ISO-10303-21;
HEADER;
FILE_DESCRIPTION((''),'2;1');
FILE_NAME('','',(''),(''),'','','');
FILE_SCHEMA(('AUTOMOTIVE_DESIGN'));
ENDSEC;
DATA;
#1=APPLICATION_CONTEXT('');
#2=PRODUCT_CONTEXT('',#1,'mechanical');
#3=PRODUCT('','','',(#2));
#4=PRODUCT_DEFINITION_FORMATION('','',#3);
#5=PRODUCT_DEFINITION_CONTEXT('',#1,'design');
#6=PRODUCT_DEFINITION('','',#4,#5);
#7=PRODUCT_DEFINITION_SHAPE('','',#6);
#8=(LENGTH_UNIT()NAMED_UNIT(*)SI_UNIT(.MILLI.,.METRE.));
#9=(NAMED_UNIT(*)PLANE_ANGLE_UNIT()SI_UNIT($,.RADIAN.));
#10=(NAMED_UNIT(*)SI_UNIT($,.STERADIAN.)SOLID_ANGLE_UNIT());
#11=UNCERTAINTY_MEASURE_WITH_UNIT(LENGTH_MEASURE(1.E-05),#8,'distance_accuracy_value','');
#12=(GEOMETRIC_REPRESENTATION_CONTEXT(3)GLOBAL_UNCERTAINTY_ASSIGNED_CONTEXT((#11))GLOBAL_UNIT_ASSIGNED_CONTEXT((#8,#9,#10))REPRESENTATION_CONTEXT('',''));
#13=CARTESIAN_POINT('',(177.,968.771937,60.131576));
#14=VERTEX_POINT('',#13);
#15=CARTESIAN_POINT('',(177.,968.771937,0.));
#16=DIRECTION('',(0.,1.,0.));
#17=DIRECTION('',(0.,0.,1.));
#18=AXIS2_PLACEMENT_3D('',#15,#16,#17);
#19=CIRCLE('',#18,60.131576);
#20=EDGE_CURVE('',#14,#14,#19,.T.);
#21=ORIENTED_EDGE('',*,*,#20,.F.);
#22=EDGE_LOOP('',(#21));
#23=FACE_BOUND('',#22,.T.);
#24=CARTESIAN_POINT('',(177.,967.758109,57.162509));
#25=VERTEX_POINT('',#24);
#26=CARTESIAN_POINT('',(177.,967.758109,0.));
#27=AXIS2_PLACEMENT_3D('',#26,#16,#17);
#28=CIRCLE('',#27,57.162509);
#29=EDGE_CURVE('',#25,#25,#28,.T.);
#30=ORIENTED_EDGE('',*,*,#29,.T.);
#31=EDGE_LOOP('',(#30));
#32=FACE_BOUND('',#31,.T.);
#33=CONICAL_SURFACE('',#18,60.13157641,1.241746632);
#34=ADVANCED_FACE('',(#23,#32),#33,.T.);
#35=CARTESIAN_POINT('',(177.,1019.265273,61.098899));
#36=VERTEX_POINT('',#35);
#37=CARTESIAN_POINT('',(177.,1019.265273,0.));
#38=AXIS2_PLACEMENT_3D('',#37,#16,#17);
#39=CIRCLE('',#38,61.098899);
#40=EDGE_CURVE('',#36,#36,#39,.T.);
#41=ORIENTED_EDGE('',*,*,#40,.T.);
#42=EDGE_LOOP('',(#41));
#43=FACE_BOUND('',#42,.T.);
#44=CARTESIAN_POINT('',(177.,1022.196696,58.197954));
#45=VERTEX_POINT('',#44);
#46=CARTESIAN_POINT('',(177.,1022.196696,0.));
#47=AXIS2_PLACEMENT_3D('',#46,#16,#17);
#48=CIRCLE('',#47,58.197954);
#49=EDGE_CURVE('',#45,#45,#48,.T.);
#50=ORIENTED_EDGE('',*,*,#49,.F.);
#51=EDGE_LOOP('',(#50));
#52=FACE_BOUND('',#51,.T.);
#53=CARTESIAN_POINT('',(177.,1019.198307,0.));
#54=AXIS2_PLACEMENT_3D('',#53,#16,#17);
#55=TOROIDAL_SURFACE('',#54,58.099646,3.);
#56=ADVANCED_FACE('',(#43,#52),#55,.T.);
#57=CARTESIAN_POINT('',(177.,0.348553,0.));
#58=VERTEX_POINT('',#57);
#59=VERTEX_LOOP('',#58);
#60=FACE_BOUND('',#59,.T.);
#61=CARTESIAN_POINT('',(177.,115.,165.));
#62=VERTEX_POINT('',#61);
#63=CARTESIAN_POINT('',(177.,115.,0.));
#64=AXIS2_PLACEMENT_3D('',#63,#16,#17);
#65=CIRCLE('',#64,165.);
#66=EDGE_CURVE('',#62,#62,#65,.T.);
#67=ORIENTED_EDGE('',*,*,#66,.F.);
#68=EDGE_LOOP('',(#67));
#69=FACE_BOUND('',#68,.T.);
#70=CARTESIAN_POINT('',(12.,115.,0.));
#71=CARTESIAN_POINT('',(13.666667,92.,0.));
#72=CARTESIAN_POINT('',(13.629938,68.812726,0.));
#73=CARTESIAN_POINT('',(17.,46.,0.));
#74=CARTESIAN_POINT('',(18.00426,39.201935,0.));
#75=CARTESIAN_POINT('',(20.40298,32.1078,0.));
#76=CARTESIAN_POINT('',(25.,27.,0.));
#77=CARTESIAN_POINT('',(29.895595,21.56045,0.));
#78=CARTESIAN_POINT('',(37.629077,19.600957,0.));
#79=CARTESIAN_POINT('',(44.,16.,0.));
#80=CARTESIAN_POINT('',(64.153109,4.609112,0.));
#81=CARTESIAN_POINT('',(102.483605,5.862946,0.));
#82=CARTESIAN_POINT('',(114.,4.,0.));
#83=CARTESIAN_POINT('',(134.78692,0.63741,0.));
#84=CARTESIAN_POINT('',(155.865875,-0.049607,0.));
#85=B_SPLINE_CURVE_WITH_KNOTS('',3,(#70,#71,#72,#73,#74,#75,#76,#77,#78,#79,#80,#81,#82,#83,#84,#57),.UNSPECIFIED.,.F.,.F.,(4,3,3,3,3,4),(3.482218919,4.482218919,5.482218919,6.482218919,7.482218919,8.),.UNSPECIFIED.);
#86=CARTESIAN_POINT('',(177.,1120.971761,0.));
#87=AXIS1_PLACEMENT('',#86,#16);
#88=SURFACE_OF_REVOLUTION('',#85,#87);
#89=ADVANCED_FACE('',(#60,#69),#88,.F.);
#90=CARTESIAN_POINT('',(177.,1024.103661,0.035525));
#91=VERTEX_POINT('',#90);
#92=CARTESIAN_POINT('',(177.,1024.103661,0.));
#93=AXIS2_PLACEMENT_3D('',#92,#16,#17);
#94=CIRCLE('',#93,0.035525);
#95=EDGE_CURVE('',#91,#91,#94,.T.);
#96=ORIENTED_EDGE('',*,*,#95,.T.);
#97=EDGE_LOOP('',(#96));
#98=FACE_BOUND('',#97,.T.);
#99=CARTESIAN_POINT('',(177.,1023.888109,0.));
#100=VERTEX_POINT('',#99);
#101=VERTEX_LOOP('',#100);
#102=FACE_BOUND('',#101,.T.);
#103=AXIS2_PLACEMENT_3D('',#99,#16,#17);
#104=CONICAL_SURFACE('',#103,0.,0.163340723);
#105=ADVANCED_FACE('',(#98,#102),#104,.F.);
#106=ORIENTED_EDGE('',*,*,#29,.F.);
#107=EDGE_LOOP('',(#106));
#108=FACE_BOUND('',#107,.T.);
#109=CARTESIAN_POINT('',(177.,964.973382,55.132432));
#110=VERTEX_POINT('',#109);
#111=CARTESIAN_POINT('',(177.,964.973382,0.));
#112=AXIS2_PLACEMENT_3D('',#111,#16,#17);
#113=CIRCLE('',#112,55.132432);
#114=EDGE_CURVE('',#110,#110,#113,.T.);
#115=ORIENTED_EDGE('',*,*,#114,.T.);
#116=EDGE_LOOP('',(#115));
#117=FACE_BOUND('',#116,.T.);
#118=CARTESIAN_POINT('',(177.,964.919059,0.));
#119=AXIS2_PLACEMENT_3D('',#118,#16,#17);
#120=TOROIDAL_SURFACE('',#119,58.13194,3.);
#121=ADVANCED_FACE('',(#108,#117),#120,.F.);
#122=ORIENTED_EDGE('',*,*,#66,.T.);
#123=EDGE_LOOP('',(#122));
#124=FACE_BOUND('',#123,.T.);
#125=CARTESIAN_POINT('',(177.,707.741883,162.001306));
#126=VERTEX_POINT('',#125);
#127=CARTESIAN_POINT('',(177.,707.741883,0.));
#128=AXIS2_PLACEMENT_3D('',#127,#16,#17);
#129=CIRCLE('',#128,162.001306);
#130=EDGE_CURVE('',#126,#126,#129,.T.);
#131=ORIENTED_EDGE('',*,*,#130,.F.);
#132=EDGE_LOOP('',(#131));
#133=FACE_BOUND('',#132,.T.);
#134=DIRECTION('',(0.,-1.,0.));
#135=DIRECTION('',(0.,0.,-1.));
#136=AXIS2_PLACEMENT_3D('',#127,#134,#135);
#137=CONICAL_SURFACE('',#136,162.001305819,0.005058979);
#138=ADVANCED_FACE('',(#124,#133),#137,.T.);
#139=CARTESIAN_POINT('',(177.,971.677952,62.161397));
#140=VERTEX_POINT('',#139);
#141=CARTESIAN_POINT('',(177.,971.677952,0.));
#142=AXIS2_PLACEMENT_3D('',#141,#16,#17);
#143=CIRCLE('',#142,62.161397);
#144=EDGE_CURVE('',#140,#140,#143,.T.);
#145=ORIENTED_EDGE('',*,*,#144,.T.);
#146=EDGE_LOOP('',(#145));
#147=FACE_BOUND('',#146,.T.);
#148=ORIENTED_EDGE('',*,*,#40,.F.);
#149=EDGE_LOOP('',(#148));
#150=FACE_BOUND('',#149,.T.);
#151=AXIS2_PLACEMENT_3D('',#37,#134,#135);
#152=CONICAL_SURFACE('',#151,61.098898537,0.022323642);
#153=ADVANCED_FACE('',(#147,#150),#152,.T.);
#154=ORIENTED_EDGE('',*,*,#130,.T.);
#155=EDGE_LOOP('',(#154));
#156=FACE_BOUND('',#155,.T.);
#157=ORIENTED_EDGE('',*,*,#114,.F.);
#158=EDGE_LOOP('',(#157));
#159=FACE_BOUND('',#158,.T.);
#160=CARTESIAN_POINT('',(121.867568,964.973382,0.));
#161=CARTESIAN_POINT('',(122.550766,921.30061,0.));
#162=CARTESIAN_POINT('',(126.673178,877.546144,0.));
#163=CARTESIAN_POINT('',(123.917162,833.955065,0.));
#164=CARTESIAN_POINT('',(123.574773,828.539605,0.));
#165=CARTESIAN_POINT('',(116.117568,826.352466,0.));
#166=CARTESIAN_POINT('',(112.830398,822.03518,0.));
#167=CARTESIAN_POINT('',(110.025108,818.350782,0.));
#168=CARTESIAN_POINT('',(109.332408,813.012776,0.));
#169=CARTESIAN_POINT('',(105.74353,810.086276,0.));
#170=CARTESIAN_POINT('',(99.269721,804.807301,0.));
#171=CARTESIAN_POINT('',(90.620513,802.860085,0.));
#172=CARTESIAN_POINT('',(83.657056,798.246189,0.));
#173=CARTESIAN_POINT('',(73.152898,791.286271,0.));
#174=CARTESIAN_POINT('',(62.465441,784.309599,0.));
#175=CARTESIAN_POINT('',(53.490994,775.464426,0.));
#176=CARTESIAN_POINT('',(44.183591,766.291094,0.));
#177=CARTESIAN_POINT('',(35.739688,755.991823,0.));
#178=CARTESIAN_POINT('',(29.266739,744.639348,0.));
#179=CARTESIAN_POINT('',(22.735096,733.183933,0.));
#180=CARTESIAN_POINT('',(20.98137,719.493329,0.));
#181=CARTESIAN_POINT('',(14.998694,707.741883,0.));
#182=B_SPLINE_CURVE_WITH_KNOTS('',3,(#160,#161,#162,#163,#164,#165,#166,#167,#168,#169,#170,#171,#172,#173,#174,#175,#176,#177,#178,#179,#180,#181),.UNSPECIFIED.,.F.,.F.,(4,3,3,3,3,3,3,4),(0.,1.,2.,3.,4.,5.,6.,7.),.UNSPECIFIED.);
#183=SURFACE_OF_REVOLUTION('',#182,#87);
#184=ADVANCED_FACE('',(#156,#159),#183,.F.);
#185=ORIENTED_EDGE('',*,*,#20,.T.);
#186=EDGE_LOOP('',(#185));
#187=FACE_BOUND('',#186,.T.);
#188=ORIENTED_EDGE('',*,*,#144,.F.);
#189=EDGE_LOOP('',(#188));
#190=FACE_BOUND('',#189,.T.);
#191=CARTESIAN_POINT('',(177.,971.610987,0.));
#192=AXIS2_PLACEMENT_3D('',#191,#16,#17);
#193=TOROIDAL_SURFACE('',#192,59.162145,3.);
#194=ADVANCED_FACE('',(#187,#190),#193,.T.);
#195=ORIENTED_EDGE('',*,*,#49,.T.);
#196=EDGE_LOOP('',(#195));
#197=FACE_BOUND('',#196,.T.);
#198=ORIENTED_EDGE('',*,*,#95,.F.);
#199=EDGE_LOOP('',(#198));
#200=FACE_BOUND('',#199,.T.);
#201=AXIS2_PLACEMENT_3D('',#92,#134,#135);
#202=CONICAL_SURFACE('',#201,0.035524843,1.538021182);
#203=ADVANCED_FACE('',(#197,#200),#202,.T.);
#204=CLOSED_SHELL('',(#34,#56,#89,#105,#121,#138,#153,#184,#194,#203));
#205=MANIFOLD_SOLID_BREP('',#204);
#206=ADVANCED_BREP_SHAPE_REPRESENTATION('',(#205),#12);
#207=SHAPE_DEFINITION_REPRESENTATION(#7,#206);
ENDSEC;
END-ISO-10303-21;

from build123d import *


with BuildPart() as part:
    # Skizze1 → Rotation1 (revolve)
    with BuildSketch(Plane.XY, mode=Mode.PRIVATE) as rotation1_sk:
        with BuildLine():
            Line((118.802046146, 1022.196696021), (176.964475157, 1024.103660907))
            Line((176.964475157, 1024.103660907), (177, 1023.888109373))
            Line((177, 1023.888109373), (177, 0.348553443))
            add(Edge.make_bspline(
                [(177, 0.348553443), (155.865875344, -0.049607015), (134.786920125, 0.63740998), (114, 4), (102.48360535, 5.862946193), (64.153109498, 4.609112023), (44, 16), (37.629076517, 19.600956751), (29.895595043, 21.560449952), (25, 27), (20.402979586, 32.10780046), (18.004259572, 39.201935207), (17, 46), (13.629938224, 68.812725865), (13.666666667, 92), (12, 115)],
                knots=[3.482218919, 3.482218919, 3.482218919, 3.482218919, 4, 4, 4, 5, 5, 5, 6, 6, 6, 7, 7, 7, 8, 8, 8, 8], degree=3))
            Line((12, 115), (14.998694181, 707.741883078))
            add(Edge.make_bspline(
                [(14.998694181, 707.741883078), (20.981370035, 719.493328883), (22.735095514, 733.183933146), (29.26673881, 744.639347794), (35.739688358, 755.99182338), (44.18359103, 766.291093776), (53.490993869, 775.464426331), (62.465440762, 784.309599068), (73.152898477, 791.286271073), (83.657055799, 798.246188942), (90.620513231, 802.860085166), (99.269721474, 804.807300601), (105.743529772, 810.086276249), (109.332407544, 813.012775998), (110.025107715, 818.350781682), (112.830398448, 822.035179645), (116.117568409, 826.352465608), (123.574773092, 828.539604738), (123.91716187, 833.955065417), (126.673177858, 877.546144248), (122.550765948, 921.300609512), (121.867567987, 964.97338156)],
                knots=[0, 0, 0, 0, 1, 1, 1, 2, 2, 2, 3, 3, 3, 4, 4, 4, 5, 5, 5, 6, 6, 6, 7, 7, 7, 7], degree=3))
            ThreePointArc((121.867567987, 964.97338156), (121.292270479, 966.686317901), (119.837491405, 967.758108914))
            Line((119.837491405, 967.758108914), (116.86842359, 968.771936948))
            ThreePointArc((116.86842359, 968.771936948), (115.378415373, 969.893093626), (114.838602637, 971.677951881))
            Line((114.838602637, 971.677951881), (115.901101463, 1019.265272556))
            ThreePointArc((115.901101463, 1019.265272556), (116.767977156, 1021.308513129), (118.802046146, 1022.196696021))
        make_face()
    revolve(rotation1_sk.sketch.rotate(Axis((177, 1120.97176066, 0), (0, -1, 0)), 270), axis=Axis((177, 1120.97176066, 0), (0, -1, 0)))  # turned: the seam where the file's is


solid = part.part
